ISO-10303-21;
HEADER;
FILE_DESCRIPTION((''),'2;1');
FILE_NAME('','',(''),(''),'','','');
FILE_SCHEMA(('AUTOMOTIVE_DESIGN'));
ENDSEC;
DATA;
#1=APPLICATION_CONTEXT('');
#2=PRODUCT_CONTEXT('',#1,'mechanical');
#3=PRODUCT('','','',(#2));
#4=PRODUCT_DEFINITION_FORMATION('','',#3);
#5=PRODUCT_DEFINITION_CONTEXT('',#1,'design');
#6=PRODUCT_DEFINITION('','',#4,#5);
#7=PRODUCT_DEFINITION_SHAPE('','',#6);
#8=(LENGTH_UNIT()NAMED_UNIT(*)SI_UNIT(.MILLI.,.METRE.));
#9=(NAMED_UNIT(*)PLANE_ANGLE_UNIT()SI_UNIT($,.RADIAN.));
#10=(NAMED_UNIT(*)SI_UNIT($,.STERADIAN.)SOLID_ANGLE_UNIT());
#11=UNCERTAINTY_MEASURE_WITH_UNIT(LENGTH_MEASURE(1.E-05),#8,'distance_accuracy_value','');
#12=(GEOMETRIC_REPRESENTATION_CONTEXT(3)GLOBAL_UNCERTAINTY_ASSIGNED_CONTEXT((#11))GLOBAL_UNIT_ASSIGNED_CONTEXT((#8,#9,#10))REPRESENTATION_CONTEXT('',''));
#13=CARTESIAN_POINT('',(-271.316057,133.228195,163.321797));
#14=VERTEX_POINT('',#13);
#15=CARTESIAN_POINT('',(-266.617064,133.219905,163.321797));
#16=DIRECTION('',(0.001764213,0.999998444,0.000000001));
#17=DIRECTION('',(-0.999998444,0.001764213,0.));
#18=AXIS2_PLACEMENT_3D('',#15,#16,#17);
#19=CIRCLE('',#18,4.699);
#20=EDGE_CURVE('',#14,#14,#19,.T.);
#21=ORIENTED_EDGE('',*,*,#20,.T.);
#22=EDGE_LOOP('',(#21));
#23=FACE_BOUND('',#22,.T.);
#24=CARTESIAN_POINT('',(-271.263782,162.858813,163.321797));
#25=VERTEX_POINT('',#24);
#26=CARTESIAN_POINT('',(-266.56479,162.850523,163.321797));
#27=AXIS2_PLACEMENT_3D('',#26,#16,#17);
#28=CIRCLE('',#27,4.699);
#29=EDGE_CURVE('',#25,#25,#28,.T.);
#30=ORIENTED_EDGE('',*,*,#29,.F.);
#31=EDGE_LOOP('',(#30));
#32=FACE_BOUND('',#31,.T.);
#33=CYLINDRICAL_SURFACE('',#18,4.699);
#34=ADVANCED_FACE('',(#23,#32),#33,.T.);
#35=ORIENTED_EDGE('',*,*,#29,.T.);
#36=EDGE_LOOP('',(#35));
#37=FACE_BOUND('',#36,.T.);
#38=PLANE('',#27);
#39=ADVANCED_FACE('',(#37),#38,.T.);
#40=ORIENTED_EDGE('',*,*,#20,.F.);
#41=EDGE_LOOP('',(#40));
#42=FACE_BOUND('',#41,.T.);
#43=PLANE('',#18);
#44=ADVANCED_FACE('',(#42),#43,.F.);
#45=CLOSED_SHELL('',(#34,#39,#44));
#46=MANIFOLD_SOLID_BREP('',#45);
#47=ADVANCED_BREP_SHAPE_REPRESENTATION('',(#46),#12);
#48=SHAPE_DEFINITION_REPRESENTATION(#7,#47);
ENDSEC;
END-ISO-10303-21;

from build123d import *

# Parameters (mm, degrees)
SWEEP1_PROFILE_R = 4.699


with BuildPart() as part:
    # Sweep1: sweep along a curve in space
    with BuildLine() as sweep1_path:
        Line((-266.617064338, 133.219904817, 163.321796793), (-266.564789525, 162.850522994, 163.321796827))
    # Sweep1 profile (on start of the path) → Sweep1 (sweep)
    with BuildSketch(Plane(origin=(-266.617064338, 133.219904817, 163.321796793), x_dir=(0.999998444, -0.001764213, 0), z_dir=(0.001764213, 0.999998444, 1e-09))):
        Circle(SWEEP1_PROFILE_R)
    sweep(path=sweep1_path.line)


solid = part.part
